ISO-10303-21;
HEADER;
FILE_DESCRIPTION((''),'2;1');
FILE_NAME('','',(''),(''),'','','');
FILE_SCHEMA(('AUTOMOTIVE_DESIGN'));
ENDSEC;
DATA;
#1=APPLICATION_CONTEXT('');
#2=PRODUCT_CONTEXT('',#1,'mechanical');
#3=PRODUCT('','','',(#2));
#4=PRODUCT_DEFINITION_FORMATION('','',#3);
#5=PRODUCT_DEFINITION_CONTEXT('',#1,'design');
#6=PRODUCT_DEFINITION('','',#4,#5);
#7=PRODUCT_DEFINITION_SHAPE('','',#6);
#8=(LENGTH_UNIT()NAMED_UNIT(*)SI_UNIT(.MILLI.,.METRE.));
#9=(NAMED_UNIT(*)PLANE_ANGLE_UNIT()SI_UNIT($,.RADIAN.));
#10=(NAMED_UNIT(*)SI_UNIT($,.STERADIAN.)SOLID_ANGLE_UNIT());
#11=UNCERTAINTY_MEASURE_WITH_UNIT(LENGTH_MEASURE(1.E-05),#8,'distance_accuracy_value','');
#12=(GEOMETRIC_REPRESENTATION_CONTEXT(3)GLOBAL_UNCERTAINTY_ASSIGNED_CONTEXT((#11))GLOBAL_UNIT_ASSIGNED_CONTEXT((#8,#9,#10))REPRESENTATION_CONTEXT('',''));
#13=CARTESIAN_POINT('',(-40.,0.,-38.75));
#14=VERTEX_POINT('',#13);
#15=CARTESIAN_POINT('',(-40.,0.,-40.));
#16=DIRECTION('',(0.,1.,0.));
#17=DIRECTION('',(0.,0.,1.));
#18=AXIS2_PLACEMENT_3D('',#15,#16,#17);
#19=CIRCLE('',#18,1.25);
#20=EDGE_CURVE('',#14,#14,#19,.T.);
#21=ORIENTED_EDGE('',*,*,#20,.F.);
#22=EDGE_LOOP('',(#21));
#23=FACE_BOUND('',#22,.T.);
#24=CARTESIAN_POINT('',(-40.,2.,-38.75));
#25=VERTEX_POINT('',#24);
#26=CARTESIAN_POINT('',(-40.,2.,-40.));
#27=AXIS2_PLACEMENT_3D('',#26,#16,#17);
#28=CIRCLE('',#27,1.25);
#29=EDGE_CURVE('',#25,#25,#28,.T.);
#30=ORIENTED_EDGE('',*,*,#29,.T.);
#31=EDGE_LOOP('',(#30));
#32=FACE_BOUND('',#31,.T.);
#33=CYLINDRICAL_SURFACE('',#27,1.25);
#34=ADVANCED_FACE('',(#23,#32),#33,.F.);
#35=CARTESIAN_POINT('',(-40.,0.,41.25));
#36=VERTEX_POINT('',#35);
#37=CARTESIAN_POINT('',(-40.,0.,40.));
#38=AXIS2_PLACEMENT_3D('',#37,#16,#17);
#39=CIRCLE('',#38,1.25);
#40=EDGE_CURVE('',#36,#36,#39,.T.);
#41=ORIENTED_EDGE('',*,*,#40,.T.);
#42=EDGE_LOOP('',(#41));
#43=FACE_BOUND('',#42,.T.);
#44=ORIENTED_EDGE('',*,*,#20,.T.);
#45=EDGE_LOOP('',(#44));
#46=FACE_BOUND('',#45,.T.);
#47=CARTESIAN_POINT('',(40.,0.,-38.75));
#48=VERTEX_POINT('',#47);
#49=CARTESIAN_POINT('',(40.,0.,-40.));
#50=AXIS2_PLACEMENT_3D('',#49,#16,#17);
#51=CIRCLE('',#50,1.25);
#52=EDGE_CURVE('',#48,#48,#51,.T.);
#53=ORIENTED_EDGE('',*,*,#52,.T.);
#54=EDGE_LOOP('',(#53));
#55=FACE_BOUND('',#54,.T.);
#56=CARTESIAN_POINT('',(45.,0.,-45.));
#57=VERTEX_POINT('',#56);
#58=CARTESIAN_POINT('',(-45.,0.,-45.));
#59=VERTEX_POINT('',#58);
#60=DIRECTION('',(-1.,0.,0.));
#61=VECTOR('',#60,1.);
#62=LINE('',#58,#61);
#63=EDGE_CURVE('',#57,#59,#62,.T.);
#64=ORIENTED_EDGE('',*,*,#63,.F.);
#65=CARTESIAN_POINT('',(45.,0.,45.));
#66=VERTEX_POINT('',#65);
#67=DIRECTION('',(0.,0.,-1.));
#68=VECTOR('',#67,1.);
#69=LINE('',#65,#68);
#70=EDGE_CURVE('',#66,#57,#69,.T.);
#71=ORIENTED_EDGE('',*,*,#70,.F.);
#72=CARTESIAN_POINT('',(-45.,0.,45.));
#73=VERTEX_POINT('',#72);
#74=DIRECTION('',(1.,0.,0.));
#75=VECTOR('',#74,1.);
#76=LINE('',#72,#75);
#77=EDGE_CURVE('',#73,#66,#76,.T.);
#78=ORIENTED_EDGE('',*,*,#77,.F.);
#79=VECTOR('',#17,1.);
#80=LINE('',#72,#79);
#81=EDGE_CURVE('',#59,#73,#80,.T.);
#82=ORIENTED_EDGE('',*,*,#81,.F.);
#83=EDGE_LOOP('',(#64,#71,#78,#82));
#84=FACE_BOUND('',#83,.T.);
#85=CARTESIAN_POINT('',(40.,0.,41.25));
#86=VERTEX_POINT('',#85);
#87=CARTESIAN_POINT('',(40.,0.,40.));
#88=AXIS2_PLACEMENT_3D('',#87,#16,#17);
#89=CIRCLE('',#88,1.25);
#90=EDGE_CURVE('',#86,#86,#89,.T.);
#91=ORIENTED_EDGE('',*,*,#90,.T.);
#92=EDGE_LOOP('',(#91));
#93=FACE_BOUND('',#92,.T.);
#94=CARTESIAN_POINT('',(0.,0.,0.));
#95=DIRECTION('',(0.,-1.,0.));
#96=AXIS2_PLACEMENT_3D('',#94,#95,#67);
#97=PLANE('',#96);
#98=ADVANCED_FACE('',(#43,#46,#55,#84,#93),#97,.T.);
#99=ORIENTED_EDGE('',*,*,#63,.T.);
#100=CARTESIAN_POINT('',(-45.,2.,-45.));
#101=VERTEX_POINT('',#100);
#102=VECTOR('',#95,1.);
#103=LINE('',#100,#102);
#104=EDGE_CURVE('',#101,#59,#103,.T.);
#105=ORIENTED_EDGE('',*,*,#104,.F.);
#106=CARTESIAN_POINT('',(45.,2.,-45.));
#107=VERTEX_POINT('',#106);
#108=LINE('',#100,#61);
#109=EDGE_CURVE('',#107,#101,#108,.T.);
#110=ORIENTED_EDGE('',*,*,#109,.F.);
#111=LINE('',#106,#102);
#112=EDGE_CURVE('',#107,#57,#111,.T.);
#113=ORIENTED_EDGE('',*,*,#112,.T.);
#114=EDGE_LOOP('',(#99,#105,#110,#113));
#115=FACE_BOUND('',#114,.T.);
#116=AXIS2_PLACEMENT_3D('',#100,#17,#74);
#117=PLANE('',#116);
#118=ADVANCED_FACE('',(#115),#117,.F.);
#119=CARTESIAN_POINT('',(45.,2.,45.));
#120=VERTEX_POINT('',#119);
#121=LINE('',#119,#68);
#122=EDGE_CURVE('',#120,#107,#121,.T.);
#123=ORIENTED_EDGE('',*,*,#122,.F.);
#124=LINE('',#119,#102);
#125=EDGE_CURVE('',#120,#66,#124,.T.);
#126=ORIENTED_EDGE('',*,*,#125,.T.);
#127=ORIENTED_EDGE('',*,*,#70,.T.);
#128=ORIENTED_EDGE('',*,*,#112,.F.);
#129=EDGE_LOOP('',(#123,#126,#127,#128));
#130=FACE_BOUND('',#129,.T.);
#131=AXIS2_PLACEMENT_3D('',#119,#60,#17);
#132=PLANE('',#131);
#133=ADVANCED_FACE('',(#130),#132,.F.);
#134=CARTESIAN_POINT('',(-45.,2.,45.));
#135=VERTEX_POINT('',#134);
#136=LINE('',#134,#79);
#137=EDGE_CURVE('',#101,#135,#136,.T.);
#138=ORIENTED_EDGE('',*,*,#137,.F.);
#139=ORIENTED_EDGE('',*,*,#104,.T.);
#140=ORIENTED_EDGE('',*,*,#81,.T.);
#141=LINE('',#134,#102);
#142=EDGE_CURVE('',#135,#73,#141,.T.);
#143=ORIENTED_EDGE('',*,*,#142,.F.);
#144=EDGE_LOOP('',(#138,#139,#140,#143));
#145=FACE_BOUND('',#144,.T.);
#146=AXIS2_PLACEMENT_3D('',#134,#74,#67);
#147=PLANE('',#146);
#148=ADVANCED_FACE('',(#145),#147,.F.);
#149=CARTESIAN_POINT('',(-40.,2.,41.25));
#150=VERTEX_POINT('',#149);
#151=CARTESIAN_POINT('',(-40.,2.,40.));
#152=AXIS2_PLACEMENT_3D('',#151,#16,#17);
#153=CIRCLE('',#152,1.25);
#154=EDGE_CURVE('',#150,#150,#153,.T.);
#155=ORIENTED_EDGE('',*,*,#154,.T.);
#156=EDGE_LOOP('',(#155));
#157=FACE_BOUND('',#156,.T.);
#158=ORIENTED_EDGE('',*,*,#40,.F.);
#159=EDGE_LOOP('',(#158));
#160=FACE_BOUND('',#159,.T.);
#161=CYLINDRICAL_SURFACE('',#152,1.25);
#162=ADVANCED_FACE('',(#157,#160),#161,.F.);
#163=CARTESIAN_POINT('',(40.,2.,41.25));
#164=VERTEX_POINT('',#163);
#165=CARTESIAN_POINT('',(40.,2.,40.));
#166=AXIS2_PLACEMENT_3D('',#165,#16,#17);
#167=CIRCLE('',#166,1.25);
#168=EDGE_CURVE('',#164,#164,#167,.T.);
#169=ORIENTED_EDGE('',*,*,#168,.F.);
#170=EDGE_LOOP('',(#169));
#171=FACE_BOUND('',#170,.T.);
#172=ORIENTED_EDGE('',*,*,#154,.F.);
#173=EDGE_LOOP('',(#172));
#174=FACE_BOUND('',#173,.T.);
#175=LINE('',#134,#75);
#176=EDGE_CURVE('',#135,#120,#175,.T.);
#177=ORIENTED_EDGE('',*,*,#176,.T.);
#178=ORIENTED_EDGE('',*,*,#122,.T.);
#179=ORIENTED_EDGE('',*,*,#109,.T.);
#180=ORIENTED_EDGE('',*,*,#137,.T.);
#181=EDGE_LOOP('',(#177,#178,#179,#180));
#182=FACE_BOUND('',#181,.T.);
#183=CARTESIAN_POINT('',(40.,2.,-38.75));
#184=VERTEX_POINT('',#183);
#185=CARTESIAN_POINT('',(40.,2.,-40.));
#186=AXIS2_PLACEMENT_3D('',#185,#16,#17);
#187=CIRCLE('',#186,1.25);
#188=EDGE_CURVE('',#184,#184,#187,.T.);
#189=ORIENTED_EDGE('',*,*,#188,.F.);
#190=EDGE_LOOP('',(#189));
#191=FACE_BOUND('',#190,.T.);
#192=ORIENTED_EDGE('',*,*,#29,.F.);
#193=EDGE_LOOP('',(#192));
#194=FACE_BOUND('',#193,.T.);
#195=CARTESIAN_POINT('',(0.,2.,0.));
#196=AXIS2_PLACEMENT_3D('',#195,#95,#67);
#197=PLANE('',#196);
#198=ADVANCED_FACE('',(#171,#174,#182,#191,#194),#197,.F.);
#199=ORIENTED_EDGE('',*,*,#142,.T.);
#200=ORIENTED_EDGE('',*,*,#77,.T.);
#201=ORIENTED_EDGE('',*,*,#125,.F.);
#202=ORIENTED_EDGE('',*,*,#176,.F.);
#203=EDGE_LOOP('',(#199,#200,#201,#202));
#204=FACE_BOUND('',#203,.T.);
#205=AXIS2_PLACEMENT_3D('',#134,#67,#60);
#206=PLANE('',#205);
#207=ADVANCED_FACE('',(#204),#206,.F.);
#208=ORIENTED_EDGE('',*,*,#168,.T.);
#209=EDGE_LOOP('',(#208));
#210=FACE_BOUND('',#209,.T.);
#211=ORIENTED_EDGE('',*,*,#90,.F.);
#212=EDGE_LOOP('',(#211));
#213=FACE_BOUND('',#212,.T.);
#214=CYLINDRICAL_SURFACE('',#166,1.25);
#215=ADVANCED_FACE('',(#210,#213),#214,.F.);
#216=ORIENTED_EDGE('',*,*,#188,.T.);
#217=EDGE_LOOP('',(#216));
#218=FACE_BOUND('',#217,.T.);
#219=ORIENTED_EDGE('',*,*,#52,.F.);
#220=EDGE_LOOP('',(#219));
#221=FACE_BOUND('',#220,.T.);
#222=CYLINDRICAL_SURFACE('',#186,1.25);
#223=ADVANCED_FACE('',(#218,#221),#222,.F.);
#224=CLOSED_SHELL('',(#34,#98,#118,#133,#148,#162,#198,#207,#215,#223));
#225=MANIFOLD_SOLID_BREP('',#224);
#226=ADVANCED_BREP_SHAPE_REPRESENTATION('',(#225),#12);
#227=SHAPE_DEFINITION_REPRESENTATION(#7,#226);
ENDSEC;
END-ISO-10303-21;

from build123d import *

# Parameters (mm, degrees)
SKETCH1_W             = 90
SKETCH1_H             = 90
BOSS_EXTRUDE1_DEPTH   = 2
M3X0_5_TAPPED_HOLE1_D = 2.5


with BuildPart() as part:
    # Sketch1 → Boss-Extrude1 (new body)
    with BuildSketch(Plane(origin=(0, 0, 0), x_dir=(1, 0, 0), z_dir=(0, 1, 0))):
        Rectangle(SKETCH1_W, SKETCH1_H)
    extrude(amount=BOSS_EXTRUDE1_DEPTH)

    # M3x0.5 Tapped Hole1 (through all)
    with Locations(Plane(origin=(0, 2, 0), x_dir=(1, 0, 0), z_dir=(0, 1, 0))):
        with Locations((-40, 40), (40, 40), (40, -40), (-40, -40)):
            Hole(M3X0_5_TAPPED_HOLE1_D / 2)


solid = part.part
